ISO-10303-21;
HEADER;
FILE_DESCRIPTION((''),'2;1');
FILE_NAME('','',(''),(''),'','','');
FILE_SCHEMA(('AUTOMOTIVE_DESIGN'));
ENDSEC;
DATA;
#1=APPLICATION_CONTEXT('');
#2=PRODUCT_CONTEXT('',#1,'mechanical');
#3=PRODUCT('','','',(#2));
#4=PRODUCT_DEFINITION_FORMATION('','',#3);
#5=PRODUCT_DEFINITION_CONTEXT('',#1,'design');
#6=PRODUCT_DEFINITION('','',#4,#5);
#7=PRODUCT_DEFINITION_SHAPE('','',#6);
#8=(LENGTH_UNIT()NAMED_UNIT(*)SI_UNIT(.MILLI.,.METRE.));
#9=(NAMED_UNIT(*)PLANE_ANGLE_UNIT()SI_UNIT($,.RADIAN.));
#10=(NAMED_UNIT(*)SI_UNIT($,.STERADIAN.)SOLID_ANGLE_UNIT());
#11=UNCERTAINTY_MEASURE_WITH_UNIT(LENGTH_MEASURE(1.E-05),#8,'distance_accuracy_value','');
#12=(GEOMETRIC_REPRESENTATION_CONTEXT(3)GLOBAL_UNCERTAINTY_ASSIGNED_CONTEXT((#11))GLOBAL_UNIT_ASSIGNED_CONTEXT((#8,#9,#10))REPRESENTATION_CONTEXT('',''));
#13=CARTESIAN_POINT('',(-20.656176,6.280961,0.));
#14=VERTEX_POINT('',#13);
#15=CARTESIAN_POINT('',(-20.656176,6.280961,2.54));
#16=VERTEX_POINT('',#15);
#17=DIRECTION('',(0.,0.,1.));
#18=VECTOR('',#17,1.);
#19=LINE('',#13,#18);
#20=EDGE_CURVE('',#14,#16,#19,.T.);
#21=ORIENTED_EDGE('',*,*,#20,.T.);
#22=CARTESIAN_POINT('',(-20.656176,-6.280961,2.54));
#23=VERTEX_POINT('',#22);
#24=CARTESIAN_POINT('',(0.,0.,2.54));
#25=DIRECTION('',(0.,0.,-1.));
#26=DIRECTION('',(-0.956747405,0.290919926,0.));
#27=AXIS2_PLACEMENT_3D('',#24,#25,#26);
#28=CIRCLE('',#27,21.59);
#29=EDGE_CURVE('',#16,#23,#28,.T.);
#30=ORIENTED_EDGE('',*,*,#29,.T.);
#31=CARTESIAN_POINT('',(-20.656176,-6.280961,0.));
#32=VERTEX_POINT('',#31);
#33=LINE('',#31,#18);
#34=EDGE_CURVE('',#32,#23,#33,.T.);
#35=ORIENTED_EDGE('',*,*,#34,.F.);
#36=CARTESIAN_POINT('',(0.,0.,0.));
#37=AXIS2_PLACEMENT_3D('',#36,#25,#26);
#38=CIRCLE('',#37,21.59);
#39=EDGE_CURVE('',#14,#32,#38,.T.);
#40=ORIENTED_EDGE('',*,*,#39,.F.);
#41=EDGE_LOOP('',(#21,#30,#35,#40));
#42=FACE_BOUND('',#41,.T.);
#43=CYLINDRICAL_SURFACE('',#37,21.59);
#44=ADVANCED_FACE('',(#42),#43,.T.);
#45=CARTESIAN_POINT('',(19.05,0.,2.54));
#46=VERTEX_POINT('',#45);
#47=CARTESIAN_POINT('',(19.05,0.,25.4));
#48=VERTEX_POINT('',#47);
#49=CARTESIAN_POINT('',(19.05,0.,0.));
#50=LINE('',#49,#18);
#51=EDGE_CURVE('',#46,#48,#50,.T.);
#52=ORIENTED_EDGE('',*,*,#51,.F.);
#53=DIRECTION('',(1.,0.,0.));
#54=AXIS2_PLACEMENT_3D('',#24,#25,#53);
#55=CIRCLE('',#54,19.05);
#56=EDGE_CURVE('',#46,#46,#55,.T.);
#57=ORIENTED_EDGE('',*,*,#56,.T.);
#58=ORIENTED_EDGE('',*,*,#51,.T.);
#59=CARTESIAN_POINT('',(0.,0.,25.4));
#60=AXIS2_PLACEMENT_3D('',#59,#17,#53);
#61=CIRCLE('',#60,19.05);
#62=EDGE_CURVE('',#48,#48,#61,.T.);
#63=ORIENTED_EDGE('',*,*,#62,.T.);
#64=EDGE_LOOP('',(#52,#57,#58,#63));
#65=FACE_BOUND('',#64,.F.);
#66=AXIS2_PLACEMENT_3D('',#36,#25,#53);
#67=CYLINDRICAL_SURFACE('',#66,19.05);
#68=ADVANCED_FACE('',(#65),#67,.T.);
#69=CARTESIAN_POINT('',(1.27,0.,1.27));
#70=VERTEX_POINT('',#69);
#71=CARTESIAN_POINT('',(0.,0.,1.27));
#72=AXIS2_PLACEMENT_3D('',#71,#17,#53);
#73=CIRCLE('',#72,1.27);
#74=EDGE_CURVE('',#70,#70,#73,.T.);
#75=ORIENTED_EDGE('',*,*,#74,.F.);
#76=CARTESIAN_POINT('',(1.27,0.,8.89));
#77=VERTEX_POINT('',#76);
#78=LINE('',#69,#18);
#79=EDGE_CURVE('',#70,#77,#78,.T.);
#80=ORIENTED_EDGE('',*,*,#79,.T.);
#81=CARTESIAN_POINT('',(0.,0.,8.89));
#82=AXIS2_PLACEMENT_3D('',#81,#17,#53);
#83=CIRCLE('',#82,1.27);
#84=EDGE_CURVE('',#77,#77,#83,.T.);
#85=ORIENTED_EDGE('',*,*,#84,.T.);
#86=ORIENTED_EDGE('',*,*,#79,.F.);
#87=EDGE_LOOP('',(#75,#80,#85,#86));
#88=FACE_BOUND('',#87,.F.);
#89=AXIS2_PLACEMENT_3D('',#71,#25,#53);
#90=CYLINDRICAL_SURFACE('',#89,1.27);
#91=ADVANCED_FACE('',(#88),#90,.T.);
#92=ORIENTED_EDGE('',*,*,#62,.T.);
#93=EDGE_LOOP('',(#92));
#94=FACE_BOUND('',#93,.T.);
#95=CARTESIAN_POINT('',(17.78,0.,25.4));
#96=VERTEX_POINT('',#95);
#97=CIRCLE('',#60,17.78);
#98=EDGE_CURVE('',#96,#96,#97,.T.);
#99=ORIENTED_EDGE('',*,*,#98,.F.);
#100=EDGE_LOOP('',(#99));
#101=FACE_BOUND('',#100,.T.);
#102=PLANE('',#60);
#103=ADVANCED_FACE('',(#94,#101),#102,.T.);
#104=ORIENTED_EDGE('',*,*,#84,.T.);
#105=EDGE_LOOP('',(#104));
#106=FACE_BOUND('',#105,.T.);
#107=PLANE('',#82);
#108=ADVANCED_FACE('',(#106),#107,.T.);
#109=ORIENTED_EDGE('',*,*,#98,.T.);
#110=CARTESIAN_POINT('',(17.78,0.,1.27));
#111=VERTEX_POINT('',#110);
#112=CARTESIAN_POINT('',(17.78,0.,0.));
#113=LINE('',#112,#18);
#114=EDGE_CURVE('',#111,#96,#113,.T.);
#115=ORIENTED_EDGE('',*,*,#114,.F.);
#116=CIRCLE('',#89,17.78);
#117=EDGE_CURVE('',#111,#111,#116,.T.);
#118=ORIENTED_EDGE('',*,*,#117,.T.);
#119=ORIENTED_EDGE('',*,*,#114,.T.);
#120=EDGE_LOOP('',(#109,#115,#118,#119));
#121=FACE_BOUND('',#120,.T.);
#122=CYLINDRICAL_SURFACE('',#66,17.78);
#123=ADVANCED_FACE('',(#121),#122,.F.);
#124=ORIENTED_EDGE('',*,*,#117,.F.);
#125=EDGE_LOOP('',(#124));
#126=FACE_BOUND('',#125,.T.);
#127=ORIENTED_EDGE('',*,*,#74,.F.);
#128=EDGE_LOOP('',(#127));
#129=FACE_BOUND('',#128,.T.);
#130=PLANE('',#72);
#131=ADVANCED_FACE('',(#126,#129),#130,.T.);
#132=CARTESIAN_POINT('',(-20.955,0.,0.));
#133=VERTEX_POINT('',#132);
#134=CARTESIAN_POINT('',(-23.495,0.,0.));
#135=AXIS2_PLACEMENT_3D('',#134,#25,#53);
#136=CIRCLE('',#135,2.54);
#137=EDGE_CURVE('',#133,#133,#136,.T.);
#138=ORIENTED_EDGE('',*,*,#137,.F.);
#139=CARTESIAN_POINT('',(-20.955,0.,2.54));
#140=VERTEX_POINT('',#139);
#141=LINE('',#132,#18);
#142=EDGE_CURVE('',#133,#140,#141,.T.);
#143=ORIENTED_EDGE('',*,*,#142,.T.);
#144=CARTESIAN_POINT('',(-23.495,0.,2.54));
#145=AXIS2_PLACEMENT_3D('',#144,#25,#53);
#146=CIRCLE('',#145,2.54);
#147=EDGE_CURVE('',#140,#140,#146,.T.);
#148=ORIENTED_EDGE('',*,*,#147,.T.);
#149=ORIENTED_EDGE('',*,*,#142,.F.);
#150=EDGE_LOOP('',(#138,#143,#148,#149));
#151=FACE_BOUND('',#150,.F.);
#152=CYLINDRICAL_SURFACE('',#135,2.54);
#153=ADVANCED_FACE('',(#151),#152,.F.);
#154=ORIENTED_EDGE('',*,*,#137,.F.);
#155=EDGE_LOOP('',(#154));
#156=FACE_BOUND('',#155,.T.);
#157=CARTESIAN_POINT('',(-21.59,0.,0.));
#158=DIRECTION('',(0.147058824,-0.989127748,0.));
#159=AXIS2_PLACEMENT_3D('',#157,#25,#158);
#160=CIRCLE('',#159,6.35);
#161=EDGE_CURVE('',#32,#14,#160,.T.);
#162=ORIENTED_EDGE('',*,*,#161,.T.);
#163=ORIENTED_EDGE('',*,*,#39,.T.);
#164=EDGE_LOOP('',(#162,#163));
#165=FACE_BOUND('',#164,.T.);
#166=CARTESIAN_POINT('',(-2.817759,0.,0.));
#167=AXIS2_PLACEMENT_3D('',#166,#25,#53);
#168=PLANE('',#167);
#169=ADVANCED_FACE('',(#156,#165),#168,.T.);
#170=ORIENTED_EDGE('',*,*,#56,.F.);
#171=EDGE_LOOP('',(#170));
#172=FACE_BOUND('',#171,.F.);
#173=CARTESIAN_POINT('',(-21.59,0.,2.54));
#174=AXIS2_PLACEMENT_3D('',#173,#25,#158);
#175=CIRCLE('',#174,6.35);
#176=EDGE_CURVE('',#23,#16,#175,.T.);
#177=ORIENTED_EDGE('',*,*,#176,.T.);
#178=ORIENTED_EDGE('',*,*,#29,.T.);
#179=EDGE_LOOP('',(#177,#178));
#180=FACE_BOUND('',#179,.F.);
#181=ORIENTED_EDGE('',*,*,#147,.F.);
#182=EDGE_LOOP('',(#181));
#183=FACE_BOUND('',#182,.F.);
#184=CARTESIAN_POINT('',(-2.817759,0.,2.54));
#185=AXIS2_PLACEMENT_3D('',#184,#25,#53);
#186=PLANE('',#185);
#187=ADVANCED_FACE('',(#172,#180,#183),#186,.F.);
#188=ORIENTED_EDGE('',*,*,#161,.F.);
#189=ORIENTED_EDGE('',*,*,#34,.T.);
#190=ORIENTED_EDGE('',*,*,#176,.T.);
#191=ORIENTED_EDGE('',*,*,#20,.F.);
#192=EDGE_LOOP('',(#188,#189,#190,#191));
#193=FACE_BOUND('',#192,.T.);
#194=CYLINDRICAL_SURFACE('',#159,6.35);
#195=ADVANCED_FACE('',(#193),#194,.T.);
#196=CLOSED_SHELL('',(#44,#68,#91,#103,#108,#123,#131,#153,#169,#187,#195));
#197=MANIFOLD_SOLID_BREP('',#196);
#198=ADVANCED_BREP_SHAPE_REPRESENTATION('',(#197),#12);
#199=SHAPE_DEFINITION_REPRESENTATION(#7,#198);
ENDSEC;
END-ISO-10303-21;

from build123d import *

# Parameters (mm, degrees)
F0_R     = 19.05
F1_DEPTH = 25.4
F2_T     = -1.27
F3_R     = 2.54
F3_R_2   = 19.05
F4_DEPTH = 2.54
F5_R     = 1.27
F6_DEPTH = 7.62


with BuildPart() as f1:
    # F0 (on Top) → F1 (new body)
    with BuildSketch(Plane.XY):
        Circle(F0_R)
    extrude(amount=F1_DEPTH)

    # F2
    f2_openings = [f1.faces().sort_by_distance(p)[0] for p in [
        (0, 0, 25.4),
    ]]
    offset(amount=F2_T, openings=f2_openings)

    # F3 (on face) → F4 (join)
    with BuildSketch(Plane(origin=(0, 0, 0), x_dir=(1, 0, 0), z_dir=(0, 0, -1))):
        with BuildLine():
            ThreePointArc((-20.6561764706, 6.2809612016), (-27.94, 0), (-20.6561764706, -6.2809612016))
            ThreePointArc((-20.6561764706, -6.2809612016), (21.59, 0), (-20.6561764706, 6.2809612016))
        make_face()
        with Locations((-23.495, 0)):
            Circle(F3_R, mode=Mode.SUBTRACT)
        Circle(F3_R_2, mode=Mode.SUBTRACT)
    extrude(amount=-F4_DEPTH)

    # F5 (on face) → F6 (join)
    with BuildSketch(Plane.XY.offset(1.27)):
        Circle(F5_R)
    extrude(amount=F6_DEPTH)


solid = f1.part
